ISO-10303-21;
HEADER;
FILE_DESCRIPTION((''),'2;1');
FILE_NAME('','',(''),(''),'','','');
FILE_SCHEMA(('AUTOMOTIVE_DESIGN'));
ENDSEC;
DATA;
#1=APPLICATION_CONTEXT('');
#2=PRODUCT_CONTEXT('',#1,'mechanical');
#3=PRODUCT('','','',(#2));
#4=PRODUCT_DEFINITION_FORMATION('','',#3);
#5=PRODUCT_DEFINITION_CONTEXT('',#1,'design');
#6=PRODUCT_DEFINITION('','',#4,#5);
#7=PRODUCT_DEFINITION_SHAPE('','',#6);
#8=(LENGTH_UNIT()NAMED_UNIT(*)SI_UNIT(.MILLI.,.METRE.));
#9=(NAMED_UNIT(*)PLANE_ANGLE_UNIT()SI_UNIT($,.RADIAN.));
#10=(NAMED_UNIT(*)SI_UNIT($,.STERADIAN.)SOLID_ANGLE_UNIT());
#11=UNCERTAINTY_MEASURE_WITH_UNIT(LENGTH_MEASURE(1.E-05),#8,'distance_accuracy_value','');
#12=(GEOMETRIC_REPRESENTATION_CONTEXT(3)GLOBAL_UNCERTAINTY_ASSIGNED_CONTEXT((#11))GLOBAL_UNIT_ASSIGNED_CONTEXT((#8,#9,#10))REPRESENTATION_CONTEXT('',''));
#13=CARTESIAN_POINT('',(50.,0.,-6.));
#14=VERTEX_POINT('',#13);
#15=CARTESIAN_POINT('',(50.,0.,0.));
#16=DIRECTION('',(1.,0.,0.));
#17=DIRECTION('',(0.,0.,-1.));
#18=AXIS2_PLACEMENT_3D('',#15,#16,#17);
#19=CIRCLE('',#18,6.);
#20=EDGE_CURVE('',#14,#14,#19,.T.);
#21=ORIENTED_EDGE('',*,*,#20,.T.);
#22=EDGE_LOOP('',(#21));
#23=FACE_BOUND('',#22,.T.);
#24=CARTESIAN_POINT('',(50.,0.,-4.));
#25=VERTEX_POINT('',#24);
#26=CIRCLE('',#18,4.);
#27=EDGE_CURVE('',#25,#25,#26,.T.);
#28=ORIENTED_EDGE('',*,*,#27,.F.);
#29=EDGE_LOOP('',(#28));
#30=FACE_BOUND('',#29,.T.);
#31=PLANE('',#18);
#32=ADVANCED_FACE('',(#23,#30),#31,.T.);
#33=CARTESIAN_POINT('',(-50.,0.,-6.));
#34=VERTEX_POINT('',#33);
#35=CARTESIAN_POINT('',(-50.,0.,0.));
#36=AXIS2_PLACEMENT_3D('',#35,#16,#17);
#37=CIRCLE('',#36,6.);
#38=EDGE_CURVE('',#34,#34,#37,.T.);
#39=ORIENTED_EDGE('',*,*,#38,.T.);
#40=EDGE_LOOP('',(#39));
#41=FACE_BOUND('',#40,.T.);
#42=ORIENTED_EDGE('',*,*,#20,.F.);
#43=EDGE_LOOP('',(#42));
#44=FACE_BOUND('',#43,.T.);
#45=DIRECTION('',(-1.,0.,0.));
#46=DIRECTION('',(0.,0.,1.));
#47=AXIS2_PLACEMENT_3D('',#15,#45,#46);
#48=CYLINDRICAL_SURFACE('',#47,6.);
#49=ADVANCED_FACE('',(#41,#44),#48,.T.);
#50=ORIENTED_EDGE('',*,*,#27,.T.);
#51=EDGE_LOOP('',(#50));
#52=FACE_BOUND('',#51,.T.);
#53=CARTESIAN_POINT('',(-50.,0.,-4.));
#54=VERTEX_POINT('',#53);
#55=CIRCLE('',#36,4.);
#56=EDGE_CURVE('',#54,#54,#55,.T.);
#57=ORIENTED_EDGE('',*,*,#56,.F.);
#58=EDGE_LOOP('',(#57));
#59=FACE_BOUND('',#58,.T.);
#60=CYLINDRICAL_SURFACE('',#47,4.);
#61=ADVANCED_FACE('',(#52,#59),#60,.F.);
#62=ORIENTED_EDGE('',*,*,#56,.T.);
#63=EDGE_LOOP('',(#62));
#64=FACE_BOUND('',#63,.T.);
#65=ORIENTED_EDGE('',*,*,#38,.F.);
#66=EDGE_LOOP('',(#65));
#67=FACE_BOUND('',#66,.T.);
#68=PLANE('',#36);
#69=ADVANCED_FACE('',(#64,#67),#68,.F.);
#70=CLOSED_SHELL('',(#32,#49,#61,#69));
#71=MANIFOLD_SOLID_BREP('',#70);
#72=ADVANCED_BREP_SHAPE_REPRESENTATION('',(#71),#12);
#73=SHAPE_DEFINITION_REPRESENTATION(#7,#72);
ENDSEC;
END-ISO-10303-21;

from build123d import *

# Parameters (mm, degrees)
ESBO_O1_R                = 6
ESBO_O1_R_2              = 4
RESSALTO_EXTRUS_O1_DEPTH = 50


with BuildPart() as part:
    # Esboço1 → Ressalto-extrusão1 (new body, symmetric)
    with BuildSketch(Plane(origin=(0, 0, 0), x_dir=(0, 0, -1), z_dir=(1, 0, 0))):
        Circle(ESBO_O1_R)
        Circle(ESBO_O1_R_2, mode=Mode.SUBTRACT)
    extrude(amount=RESSALTO_EXTRUS_O1_DEPTH, both=True)


solid = part.part
